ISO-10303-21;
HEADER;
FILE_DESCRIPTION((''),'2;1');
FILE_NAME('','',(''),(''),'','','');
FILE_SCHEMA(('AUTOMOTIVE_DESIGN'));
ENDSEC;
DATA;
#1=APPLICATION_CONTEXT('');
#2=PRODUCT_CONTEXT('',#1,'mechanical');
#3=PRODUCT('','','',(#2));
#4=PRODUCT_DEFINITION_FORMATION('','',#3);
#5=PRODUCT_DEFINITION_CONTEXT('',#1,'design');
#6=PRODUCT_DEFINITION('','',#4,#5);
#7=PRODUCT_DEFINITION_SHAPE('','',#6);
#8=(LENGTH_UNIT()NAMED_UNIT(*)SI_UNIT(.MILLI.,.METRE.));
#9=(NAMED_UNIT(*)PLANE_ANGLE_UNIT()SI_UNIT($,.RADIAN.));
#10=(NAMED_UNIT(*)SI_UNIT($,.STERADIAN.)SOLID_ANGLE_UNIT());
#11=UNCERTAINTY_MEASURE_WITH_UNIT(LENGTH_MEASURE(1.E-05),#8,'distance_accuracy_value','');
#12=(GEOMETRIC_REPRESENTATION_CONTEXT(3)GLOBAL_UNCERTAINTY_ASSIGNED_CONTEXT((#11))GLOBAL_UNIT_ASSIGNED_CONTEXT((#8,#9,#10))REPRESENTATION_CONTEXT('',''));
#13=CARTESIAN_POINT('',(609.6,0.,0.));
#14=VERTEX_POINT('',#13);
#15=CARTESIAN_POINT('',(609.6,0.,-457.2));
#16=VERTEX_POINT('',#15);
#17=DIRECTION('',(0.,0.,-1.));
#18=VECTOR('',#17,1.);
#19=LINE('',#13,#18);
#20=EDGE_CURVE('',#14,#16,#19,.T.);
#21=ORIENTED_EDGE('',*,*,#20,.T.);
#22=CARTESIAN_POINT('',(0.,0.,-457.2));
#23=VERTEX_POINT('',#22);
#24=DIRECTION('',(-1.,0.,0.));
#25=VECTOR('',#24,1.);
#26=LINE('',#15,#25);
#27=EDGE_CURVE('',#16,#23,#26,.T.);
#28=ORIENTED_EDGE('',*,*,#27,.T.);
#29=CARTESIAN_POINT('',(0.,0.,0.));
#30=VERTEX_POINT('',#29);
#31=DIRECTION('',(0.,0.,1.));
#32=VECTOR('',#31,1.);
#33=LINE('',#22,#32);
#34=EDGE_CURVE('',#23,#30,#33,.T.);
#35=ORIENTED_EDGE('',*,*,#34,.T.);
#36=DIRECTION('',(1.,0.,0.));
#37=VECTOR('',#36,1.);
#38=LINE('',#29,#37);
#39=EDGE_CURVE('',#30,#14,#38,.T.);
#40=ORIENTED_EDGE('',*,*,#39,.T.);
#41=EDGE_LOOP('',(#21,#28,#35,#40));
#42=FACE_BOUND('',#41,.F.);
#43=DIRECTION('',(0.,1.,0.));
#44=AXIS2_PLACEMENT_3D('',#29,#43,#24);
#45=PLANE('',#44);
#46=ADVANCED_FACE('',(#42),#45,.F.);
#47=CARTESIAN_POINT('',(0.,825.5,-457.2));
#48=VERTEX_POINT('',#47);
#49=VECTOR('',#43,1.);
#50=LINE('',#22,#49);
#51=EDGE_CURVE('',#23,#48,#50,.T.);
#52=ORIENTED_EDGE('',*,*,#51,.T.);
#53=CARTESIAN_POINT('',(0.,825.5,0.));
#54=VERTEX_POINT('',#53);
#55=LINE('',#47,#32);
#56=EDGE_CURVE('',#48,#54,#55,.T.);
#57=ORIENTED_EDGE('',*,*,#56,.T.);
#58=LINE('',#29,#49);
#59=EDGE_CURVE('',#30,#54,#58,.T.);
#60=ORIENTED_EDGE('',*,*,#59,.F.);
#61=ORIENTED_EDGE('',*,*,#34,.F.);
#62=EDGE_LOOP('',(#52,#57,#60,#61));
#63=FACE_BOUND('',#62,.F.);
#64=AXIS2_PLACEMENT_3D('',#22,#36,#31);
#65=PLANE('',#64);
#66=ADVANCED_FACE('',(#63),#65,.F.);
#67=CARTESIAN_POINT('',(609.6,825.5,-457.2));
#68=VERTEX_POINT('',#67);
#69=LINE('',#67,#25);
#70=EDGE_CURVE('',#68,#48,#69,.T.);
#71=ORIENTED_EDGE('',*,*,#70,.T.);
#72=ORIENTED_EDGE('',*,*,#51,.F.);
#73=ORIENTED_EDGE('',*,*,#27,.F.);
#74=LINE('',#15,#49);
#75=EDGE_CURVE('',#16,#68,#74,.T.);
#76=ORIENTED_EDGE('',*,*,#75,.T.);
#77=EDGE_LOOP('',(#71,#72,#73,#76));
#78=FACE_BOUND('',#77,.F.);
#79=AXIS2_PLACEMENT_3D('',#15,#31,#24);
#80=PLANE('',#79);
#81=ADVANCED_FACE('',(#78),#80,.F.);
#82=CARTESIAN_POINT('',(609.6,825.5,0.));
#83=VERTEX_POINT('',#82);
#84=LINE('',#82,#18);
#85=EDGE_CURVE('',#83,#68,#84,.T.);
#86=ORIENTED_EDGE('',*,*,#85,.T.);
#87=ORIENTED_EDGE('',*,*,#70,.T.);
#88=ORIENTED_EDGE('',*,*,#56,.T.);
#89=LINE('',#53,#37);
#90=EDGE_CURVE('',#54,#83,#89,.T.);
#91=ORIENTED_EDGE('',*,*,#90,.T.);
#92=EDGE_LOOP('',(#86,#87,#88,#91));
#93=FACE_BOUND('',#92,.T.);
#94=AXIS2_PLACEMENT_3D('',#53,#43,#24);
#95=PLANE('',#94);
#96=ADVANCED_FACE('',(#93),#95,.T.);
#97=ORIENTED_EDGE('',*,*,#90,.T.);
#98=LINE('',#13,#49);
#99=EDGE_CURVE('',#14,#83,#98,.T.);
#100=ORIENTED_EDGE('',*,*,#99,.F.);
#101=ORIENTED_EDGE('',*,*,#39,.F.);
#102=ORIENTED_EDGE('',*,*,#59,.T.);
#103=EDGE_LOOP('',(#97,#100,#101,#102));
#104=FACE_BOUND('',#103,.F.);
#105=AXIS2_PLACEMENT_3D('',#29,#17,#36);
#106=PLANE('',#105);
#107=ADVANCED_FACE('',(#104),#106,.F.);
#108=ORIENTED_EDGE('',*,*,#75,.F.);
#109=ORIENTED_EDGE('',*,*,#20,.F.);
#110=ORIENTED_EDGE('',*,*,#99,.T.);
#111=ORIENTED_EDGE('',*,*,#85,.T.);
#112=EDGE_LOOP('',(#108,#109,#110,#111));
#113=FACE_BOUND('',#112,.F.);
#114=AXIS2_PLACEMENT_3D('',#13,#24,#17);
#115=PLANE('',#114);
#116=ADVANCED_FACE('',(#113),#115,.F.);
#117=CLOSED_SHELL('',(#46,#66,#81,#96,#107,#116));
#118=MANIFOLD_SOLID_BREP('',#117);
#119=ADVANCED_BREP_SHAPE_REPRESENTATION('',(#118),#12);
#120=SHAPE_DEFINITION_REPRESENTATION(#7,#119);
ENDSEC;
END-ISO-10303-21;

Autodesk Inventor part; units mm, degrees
ref_plane "YZ Plane" through (0, 0, 0) normal (1, 0, 0) x (0, 1, 0)
ref_plane "XZ Plane" through (0, 0, 0) normal (0, 1, 0) x (-1, 0, 0)
ref_plane "XY Plane" through (0, 0, 0) normal (0, 0, 1) x (1, 0, 0)
sketch "Sketch1" plane through (0, 0, 0) normal (0, 1, 0) x (-1, 0, 0)
  line L0 (0, 0) -> (-609.6, 0)
  line L1 (-609.6, 0) -> (-609.6, -457.2)
  line L2 (-609.6, -457.2) -> (0, -457.2)
  line L3 (0, -457.2) -> (0, 0)
  dimension "d6" = 457.2
  dimension "d8" = 609.6
extrude "Extrusion1" add sketch "Sketch1" along normal blind 825.5
properties part number "Dishwasher" material "Steel"
